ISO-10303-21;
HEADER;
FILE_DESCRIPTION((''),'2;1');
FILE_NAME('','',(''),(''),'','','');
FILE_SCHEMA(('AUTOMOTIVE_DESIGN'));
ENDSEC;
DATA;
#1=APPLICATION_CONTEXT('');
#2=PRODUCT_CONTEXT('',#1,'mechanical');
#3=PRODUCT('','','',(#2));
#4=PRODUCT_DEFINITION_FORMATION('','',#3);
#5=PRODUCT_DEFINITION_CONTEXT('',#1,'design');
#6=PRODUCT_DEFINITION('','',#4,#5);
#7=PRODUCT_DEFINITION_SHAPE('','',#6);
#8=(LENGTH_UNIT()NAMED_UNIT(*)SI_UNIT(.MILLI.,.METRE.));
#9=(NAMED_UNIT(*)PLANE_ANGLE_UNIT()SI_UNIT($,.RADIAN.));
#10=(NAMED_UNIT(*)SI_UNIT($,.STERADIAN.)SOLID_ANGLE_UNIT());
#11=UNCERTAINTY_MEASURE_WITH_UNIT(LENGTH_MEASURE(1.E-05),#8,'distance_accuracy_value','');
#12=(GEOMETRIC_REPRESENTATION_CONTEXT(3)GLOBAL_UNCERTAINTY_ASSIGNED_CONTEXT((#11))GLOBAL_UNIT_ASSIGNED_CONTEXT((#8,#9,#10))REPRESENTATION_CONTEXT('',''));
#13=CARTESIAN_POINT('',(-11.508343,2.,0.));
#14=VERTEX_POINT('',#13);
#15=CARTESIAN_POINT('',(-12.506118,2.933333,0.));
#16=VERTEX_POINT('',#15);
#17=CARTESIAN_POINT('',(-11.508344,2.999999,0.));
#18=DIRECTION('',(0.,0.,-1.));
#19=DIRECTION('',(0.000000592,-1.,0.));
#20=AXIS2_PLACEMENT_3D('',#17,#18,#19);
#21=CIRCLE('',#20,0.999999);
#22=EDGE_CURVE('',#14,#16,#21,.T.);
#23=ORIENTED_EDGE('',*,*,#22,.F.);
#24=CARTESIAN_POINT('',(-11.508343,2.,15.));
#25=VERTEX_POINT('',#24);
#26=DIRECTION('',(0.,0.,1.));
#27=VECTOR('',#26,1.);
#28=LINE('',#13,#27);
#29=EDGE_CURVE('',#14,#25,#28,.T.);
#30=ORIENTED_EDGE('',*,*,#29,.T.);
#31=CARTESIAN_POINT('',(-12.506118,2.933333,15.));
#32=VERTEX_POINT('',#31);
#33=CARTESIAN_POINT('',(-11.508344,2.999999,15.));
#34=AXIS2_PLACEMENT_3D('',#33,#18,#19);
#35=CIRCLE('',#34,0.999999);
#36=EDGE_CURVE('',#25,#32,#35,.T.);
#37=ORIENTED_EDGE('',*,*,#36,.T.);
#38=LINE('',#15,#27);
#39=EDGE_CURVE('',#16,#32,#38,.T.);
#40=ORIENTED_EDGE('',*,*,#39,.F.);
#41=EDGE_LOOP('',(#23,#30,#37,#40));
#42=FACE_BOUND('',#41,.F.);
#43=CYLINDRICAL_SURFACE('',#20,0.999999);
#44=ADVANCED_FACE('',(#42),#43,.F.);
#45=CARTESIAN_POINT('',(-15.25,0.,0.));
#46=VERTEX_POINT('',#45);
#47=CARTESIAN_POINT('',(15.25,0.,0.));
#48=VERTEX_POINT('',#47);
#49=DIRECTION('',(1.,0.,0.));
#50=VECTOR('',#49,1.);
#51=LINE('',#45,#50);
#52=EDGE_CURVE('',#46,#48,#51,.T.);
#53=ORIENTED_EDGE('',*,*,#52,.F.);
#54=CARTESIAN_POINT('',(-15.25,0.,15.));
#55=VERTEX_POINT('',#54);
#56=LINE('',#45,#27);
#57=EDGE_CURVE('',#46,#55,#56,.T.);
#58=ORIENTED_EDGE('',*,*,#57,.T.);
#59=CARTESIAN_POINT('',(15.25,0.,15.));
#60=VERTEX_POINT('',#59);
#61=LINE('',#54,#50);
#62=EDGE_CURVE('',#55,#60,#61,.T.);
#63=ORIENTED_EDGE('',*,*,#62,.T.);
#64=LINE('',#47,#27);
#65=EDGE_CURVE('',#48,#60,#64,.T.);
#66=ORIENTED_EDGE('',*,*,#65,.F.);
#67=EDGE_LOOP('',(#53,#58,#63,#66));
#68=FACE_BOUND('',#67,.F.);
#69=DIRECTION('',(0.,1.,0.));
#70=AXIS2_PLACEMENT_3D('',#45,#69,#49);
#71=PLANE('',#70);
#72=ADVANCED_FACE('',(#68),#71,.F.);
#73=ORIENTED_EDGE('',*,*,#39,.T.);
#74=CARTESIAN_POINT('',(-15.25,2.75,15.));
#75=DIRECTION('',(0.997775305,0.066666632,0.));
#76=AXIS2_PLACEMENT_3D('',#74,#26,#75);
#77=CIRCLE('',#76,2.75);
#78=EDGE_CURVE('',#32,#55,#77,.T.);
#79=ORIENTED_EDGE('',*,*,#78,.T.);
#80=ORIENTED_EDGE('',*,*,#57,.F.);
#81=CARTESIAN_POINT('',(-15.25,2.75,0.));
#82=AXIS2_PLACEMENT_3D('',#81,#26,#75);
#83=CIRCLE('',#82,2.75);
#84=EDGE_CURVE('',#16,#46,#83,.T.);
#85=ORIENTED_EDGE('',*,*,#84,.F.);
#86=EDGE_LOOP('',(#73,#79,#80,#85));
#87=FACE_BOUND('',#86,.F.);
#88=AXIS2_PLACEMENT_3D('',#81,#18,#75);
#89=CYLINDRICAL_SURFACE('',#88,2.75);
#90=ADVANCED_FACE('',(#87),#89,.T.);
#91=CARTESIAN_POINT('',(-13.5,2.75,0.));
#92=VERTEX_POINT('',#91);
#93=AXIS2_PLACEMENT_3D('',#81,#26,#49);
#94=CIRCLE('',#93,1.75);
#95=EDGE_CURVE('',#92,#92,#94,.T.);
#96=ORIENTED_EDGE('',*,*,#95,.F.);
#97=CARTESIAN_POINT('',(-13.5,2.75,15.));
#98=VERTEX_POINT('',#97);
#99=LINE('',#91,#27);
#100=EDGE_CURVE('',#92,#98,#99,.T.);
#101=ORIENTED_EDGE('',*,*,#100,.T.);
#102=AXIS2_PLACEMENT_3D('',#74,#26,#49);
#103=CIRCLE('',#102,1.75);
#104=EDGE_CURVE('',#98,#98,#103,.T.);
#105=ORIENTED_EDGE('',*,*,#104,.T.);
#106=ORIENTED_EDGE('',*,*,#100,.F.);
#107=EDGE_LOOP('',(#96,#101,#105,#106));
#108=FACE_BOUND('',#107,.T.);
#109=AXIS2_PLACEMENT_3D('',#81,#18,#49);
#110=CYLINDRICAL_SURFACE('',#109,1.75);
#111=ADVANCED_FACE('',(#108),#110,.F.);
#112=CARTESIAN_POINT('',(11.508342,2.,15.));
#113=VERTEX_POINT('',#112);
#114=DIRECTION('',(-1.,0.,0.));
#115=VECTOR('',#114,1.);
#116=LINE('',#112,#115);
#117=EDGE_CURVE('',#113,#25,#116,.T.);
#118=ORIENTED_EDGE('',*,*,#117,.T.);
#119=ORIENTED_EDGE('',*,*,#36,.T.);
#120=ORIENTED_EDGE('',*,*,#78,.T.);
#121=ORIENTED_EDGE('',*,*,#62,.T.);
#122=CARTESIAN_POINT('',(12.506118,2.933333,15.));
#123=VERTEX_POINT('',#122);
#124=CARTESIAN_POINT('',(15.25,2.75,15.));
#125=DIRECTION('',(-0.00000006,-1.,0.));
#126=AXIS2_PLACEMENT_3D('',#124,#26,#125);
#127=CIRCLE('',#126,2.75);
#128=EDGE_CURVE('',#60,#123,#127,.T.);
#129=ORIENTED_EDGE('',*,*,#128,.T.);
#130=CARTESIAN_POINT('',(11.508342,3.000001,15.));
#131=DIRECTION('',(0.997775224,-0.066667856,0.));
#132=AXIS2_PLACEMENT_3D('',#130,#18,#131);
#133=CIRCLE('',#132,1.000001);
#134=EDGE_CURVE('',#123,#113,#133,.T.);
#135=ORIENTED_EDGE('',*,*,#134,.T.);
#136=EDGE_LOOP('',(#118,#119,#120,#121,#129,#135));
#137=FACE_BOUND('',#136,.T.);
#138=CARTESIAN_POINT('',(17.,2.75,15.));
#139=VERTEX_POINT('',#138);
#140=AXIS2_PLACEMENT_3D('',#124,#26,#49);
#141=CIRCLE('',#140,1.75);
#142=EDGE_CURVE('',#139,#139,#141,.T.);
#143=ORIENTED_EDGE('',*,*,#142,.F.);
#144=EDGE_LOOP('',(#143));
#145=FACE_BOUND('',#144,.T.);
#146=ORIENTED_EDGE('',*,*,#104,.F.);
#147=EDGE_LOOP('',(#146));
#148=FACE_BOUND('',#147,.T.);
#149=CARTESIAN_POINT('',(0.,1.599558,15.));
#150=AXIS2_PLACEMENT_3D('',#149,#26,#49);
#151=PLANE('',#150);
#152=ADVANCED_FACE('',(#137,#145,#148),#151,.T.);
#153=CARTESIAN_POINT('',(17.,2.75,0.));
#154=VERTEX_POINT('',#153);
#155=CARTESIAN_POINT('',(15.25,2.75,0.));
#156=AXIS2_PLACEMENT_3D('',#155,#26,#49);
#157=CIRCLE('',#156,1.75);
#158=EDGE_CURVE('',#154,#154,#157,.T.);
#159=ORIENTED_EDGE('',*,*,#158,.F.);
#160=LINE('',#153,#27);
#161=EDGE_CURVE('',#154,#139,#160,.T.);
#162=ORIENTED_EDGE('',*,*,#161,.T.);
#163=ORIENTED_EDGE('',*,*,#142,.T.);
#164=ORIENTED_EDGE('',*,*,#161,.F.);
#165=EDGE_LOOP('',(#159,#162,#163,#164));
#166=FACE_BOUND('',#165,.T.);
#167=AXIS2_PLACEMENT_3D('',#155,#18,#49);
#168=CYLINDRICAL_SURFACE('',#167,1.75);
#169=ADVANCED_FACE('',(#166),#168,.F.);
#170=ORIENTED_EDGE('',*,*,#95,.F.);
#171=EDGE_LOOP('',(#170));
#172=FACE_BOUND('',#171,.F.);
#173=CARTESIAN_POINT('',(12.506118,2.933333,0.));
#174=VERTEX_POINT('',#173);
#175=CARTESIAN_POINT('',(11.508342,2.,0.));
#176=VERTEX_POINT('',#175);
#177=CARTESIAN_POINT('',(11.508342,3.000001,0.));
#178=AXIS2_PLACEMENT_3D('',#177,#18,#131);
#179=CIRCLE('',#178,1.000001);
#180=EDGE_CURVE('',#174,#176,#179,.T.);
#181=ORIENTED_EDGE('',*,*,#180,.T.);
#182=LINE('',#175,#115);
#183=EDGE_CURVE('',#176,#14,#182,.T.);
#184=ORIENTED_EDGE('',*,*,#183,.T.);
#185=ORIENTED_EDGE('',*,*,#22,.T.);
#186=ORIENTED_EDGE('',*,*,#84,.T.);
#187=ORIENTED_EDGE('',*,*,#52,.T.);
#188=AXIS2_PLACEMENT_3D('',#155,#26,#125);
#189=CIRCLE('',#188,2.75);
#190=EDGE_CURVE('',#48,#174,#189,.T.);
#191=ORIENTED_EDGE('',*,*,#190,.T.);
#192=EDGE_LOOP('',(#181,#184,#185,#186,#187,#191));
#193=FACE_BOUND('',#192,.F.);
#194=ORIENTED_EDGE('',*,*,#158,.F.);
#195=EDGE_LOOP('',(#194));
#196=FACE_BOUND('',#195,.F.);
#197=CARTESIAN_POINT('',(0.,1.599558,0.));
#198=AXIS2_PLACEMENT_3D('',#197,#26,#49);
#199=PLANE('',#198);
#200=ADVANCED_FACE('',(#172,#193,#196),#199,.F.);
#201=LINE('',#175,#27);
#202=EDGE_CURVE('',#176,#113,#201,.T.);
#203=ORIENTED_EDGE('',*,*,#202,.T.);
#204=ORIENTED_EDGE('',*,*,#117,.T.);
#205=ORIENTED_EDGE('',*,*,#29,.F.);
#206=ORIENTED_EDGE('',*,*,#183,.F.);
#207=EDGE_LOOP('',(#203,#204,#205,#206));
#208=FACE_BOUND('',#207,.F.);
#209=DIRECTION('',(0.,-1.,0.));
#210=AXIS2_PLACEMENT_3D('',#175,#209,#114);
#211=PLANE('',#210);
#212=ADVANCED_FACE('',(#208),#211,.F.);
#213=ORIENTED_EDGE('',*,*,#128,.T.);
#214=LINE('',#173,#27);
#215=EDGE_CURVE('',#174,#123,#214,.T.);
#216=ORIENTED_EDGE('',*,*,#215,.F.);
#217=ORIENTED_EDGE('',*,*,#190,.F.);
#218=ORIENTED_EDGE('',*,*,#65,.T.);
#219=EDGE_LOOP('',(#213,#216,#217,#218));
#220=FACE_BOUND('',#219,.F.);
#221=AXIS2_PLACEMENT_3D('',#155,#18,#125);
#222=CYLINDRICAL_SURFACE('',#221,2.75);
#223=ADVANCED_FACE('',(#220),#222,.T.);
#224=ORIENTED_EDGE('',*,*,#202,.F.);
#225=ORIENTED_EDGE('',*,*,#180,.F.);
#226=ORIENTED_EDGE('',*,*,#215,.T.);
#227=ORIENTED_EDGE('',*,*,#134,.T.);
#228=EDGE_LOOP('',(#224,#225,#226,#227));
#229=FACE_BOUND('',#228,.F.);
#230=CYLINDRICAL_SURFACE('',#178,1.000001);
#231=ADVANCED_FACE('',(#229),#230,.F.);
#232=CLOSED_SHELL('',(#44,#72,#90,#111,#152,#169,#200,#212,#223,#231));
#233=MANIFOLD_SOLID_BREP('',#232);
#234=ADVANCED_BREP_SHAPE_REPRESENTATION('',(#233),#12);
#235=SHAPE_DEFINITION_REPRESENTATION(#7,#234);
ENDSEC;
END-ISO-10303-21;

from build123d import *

# Parameters (mm, degrees)
F0_R     = 1.75
F1_DEPTH = 15


with BuildPart() as f1:
    # F0 (on Top) → F1 (new body)
    with BuildSketch(Plane.XY):
        with BuildLine():
            ThreePointArc((-11.508343, 2), (-12.191473, 2.269703), (-12.506118, 2.933333))
            ThreePointArc((-12.506118, 2.933333), (-17.258316, 4.628607), (-15.25, 0))
            Line((-15.25, 0), (15.25, 0))
            ThreePointArc((15.25, 0), (17.258316, 4.628608), (12.506118, 2.933333))
            ThreePointArc((12.506118, 2.933333), (12.191472, 2.269703), (11.508342, 2))
            Line((11.508342, 2), (-11.508343, 2))
        make_face()
        with Locations((-15.25, 2.75)):
            Circle(F0_R, mode=Mode.SUBTRACT)
        with Locations((15.25, 2.75)):
            Circle(F0_R, mode=Mode.SUBTRACT)
    extrude(amount=F1_DEPTH)


solid = f1.part
